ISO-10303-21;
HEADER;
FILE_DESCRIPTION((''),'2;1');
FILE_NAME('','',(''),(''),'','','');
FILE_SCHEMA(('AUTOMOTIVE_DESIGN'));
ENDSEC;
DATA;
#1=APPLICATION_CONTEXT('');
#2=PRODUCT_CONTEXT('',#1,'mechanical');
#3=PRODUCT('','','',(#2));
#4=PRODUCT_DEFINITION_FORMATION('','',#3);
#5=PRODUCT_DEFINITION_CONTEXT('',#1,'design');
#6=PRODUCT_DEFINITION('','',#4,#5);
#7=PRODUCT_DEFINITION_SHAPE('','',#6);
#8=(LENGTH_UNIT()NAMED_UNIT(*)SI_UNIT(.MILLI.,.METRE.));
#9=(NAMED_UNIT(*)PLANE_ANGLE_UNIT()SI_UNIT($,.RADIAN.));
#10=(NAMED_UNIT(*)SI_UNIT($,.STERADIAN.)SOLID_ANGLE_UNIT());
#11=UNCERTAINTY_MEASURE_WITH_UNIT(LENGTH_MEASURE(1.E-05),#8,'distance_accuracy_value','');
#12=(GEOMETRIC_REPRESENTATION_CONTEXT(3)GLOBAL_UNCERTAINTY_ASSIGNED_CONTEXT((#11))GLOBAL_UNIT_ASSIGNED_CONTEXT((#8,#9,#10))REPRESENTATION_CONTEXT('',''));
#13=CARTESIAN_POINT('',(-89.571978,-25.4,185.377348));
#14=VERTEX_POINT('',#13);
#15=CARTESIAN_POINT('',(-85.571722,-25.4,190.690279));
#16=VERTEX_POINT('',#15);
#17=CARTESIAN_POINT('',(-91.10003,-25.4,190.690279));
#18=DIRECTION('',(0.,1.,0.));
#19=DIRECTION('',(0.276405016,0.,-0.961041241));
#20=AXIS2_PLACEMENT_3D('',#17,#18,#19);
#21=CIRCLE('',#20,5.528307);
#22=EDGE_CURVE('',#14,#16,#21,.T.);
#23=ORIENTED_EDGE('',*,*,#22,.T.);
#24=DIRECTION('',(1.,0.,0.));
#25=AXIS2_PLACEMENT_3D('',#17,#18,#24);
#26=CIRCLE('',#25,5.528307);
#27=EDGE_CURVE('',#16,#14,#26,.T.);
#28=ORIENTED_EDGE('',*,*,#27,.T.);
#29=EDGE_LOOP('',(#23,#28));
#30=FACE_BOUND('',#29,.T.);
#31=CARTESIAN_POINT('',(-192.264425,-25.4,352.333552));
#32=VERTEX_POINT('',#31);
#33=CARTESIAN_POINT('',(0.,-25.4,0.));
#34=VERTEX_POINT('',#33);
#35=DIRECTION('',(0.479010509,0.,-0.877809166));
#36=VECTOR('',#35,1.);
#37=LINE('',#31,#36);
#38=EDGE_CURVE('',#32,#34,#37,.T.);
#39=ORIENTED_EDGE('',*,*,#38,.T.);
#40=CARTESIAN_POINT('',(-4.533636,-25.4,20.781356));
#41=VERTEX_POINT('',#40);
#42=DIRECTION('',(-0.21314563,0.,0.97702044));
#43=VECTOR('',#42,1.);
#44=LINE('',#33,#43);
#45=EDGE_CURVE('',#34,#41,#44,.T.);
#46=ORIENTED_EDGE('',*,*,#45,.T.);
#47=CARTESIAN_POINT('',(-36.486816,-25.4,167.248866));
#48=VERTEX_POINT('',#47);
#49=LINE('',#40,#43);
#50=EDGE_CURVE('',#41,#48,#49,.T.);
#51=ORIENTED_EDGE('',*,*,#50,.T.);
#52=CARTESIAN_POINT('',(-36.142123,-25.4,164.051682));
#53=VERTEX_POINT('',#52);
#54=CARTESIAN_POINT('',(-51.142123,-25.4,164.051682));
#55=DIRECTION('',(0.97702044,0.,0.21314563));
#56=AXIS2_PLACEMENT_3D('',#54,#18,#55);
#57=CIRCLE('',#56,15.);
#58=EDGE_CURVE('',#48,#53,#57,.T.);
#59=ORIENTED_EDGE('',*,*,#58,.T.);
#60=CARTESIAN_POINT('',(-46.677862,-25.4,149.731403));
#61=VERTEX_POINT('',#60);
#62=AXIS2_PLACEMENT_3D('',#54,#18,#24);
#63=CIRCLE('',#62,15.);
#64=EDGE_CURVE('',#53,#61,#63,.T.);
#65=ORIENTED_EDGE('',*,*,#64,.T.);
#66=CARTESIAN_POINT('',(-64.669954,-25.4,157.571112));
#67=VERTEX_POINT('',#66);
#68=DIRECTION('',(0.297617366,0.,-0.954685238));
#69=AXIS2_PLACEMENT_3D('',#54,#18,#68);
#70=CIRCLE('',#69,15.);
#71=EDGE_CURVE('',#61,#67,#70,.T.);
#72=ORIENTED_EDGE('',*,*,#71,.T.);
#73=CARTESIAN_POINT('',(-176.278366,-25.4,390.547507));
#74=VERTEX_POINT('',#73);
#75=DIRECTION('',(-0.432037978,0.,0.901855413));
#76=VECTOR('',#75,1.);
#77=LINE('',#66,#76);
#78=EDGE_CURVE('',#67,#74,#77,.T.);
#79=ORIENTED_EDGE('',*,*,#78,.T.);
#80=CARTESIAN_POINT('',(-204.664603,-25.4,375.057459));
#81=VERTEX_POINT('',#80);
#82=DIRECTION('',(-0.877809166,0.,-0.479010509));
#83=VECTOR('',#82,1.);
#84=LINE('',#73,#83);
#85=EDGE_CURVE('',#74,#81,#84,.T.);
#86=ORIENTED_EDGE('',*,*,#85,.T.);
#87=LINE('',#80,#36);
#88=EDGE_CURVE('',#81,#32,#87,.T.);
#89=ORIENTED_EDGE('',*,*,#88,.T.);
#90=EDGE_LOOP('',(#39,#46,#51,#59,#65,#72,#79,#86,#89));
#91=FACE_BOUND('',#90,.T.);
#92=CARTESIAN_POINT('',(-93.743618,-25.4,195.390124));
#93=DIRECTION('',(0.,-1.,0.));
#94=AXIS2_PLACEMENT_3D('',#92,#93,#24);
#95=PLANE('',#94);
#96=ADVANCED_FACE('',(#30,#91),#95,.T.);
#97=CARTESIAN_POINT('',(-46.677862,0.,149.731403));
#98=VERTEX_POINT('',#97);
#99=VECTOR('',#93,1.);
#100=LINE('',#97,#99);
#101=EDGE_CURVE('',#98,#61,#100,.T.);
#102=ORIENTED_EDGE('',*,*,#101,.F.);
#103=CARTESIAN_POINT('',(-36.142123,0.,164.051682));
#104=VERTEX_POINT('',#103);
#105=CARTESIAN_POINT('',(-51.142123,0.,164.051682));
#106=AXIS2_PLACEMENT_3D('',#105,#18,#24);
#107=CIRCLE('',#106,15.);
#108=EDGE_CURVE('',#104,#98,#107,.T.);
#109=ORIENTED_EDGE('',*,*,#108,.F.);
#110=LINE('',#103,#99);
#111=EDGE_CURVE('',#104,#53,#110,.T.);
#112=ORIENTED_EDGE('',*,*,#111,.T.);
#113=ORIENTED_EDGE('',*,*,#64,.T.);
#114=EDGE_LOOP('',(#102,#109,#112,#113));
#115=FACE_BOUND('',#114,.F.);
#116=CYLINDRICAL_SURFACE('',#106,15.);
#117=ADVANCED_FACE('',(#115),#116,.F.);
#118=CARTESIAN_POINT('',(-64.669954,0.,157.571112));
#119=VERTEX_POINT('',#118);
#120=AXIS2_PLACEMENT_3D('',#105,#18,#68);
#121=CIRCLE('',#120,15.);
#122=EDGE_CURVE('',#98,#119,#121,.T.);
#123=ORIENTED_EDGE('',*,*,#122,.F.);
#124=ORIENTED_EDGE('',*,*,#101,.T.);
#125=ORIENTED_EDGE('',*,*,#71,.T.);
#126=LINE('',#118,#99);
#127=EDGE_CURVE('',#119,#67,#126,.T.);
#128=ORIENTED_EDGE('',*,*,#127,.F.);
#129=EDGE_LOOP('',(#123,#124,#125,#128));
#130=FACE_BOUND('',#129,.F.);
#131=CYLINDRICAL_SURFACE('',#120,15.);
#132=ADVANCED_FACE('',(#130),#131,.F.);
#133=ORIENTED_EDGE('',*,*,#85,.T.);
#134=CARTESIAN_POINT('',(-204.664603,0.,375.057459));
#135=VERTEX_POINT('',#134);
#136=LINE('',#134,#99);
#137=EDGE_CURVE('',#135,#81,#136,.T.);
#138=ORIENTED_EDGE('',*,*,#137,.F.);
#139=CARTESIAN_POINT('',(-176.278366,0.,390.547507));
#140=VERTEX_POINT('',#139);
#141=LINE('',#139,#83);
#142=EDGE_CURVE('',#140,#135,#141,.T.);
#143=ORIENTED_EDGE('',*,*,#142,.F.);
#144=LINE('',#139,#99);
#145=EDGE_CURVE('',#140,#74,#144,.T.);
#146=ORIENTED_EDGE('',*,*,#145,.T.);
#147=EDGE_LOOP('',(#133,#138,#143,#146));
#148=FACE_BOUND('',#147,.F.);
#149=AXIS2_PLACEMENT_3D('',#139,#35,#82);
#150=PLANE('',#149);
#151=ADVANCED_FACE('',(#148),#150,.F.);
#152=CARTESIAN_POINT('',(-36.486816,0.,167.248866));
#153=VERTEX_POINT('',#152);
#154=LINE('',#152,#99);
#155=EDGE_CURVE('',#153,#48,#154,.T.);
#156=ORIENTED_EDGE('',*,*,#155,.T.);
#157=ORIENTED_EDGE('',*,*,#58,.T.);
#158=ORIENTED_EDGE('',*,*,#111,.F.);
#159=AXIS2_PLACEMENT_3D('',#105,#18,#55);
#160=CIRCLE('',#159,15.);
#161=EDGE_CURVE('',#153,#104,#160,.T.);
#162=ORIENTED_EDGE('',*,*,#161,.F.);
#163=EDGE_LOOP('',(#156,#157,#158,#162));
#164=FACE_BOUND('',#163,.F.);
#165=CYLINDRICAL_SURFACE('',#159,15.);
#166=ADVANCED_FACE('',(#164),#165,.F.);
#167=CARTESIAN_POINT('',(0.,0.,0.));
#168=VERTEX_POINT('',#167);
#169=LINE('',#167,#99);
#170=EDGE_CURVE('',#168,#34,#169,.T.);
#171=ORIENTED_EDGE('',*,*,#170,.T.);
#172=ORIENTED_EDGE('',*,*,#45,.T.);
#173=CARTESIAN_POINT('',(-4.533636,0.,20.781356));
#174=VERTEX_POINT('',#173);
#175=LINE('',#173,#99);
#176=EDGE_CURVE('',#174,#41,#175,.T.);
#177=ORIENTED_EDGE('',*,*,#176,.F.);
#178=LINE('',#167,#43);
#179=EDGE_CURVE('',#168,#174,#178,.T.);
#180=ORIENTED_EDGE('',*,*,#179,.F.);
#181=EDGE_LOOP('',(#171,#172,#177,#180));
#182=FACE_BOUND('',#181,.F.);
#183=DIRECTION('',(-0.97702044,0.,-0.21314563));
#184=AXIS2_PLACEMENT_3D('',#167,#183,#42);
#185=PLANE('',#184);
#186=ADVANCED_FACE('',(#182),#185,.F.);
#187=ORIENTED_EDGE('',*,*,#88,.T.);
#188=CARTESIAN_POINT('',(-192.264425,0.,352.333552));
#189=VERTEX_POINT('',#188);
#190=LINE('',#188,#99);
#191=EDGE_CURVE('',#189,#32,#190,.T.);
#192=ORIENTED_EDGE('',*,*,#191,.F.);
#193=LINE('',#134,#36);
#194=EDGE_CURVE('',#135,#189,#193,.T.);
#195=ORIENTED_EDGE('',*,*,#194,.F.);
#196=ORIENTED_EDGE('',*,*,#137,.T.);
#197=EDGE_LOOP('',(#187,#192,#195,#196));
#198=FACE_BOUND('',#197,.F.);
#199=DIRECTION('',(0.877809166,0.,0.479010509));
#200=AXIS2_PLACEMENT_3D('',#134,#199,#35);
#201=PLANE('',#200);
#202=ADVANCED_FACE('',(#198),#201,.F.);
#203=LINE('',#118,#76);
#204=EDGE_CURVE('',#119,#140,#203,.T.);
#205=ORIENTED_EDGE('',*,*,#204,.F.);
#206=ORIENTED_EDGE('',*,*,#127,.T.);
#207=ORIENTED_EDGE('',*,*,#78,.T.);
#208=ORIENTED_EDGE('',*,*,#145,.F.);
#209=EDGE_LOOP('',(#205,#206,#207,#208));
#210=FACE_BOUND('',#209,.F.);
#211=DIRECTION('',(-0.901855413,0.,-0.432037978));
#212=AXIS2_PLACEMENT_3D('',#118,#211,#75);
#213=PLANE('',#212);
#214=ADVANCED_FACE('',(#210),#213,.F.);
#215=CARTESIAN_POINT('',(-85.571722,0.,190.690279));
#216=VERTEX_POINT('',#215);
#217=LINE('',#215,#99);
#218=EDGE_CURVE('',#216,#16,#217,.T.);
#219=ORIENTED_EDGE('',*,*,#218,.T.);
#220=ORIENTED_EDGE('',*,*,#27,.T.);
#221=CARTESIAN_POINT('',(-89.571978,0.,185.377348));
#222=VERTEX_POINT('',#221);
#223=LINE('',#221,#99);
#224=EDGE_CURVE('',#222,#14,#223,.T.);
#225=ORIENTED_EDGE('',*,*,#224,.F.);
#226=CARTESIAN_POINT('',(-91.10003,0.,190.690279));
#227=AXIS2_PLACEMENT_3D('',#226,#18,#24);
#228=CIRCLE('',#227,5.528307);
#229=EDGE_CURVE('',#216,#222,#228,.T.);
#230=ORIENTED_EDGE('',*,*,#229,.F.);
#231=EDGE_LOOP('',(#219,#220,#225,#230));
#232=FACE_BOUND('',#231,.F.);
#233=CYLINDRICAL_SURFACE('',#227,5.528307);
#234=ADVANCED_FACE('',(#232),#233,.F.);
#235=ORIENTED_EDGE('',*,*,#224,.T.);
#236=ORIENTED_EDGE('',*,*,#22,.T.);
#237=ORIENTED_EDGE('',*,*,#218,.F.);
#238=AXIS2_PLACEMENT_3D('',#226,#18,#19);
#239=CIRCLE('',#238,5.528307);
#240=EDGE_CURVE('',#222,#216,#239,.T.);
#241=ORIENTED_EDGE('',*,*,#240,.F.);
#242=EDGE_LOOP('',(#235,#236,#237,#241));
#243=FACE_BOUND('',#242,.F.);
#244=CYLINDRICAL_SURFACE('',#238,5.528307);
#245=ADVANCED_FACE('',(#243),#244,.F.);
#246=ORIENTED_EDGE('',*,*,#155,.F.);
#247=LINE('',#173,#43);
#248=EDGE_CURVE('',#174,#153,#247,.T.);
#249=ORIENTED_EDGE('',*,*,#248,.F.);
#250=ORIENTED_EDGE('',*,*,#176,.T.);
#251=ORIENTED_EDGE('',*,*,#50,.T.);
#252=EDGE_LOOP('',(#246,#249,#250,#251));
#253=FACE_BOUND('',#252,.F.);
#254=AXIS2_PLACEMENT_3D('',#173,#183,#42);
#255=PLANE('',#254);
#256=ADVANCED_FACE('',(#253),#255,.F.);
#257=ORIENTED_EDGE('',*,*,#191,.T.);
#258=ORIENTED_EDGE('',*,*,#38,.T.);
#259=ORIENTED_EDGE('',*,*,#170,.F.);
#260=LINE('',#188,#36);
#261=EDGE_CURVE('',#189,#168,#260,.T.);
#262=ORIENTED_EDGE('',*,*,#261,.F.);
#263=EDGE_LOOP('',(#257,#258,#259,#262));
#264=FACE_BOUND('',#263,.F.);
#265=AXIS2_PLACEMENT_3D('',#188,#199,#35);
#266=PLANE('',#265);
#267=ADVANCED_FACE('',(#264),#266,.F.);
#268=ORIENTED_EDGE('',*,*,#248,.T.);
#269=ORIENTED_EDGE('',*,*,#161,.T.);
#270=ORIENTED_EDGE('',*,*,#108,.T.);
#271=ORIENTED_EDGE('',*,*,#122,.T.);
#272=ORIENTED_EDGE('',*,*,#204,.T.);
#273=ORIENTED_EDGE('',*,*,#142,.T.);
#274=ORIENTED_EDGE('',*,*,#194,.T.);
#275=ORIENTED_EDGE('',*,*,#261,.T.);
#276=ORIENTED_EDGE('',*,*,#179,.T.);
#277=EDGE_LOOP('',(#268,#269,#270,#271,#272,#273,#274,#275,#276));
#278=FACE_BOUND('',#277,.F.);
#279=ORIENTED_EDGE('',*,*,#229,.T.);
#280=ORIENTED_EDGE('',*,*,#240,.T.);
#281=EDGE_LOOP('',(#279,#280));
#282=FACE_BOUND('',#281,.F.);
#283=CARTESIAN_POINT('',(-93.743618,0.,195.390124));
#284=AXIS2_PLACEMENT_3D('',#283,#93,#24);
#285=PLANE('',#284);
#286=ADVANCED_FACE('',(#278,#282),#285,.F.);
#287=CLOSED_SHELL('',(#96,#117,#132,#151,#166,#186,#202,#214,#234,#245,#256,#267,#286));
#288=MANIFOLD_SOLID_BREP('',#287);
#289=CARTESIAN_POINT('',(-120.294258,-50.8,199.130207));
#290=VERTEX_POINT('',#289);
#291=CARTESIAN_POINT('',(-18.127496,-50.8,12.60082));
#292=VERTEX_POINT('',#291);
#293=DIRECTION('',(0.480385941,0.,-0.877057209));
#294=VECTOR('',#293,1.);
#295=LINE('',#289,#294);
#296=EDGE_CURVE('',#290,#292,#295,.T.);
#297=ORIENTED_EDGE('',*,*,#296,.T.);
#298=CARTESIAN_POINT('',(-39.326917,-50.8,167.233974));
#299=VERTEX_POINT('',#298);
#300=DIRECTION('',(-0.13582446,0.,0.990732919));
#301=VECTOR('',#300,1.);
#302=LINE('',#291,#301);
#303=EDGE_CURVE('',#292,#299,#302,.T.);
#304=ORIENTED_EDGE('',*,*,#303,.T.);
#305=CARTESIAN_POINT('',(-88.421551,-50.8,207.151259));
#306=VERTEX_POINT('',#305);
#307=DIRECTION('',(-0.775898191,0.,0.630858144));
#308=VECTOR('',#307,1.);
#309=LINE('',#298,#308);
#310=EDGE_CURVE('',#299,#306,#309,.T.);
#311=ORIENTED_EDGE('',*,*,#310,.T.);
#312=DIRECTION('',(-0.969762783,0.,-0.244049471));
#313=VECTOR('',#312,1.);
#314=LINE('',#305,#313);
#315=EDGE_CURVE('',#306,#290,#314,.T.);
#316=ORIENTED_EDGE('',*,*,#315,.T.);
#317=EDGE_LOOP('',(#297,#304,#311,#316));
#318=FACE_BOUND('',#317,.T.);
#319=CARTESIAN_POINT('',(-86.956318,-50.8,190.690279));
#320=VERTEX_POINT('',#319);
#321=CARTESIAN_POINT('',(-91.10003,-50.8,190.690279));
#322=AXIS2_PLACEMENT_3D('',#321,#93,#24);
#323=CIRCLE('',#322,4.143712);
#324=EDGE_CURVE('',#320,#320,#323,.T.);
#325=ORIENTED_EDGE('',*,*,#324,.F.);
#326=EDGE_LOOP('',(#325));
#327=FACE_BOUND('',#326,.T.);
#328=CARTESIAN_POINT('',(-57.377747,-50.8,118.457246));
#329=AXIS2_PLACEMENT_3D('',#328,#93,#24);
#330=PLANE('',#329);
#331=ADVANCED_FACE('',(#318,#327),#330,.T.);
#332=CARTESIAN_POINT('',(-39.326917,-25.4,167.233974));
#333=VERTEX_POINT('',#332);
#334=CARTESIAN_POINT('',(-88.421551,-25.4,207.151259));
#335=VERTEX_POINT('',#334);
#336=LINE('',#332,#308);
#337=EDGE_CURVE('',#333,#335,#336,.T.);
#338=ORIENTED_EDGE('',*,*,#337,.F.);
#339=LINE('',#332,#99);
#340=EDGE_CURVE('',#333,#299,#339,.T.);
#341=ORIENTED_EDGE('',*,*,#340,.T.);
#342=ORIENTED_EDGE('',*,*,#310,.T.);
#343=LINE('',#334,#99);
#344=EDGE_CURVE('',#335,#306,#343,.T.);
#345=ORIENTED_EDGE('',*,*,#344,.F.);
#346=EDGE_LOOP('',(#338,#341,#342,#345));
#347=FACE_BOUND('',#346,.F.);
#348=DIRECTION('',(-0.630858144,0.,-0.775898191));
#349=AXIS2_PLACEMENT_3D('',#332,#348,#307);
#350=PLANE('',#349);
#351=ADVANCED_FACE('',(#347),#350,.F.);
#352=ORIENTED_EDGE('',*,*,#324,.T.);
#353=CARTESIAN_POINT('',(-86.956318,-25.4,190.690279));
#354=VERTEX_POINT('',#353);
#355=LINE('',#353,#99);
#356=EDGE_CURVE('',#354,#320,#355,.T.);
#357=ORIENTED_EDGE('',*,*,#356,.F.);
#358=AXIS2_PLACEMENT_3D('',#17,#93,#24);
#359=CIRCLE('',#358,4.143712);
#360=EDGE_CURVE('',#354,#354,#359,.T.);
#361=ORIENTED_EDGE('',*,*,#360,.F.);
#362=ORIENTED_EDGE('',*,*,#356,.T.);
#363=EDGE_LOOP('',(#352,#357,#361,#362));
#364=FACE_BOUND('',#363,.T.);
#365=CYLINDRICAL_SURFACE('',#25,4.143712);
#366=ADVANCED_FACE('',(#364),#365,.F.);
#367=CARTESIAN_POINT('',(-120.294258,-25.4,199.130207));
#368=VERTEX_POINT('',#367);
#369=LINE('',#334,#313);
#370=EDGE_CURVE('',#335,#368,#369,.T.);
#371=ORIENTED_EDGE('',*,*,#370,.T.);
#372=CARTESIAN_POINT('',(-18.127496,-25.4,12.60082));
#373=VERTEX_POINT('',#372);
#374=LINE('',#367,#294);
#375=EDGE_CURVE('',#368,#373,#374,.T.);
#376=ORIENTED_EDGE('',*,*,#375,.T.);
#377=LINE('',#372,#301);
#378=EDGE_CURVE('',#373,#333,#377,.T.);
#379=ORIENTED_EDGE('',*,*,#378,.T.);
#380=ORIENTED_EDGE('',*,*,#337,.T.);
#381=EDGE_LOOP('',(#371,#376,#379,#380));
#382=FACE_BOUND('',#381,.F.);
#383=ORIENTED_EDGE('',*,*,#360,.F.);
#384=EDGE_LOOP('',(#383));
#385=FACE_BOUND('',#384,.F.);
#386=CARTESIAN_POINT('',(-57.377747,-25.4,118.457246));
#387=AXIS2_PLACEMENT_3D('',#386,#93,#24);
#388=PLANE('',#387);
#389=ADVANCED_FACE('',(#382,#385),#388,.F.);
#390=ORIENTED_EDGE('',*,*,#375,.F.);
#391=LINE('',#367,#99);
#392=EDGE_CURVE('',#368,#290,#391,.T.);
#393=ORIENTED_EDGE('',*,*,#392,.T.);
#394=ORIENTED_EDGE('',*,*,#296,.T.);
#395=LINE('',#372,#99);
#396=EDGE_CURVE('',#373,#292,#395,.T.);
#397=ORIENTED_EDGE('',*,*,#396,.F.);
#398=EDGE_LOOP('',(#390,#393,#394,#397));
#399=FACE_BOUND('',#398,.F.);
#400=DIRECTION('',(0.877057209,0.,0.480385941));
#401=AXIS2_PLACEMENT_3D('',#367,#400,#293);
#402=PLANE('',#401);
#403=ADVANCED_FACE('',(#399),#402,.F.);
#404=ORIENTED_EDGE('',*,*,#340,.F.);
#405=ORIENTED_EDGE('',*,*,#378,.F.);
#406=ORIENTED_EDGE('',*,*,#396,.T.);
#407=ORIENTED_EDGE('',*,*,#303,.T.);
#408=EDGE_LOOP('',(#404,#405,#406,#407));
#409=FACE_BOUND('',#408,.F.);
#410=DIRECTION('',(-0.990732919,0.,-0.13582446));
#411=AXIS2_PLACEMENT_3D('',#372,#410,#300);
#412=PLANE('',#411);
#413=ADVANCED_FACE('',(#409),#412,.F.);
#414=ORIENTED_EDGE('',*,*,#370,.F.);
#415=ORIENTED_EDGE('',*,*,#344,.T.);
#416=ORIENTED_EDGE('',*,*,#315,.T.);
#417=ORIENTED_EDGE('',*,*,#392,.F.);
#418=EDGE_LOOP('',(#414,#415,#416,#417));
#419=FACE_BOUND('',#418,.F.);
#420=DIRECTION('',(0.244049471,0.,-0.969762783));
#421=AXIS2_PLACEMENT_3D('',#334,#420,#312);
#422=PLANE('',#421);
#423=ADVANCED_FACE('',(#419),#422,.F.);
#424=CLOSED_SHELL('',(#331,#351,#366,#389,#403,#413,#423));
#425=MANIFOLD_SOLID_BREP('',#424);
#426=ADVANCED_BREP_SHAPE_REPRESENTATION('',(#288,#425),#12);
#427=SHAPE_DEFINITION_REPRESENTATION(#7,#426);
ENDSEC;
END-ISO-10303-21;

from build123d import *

# Parameters (mm, degrees)
F1_DEPTH = 25.4
F2_R     = 4.1437119387
F3_DEPTH = 25.4


with BuildPart() as f1:
    # F0 (on Front) → F1 (new body)
    with BuildSketch(Plane.XZ):
        with BuildLine():
            ThreePointArc((-9.9044003678, 18.1502769969), (-8.0547579946, 19.032872048), (-6.2147079202, 19.9352947077))
            Line((-6.2147079202, 19.9352947077), (-46.6778621011, 149.7314031902))
            ThreePointArc((-46.6778621011, 149.7314031902), (-57.1339785141, 150.3004031741), (-64.6699537882, 157.5711120868))
            Line((-64.6699537882, 157.5711120868), (-164.7902710869, 366.5667436756))
            ThreePointArc((-164.7902710869, 366.5667436756), (-178.8165155484, 360.0083247343), (-192.2644245511, 352.3335520235))
            Line((-192.2644245511, 352.3335520235), (-76.6598464682, 140.4827547622))
            Line((-76.6598464682, 140.4827547622), (-9.9044003678, 18.1502769969))
        make_face()
        with BuildLine():
            ThreePointArc((-85.5717222096, 190.690279007), (-86.6835987436, 187.3650239492), (-89.5719777393, 185.3773475663))
            ThreePointArc((-89.5719777393, 185.3773475663), (-95.5164605511, 194.0155340647), (-85.5717222096, 190.690279007))
        make_face(mode=Mode.SUBTRACT)
        with BuildLine():
            Line((-46.6778621011, 149.7314031902), (-6.2147079202, 19.9352947077))
            ThreePointArc((-6.2147079202, 19.9352947077), (-5.3731283227, 20.3562515873), (-4.5336362392, 20.7813562276))
            Line((-4.5336362392, 20.7813562276), (-36.486815996, 167.2488662127))
            ThreePointArc((-36.486815996, 167.2488662127), (-36.2285449069, 165.6595376261), (-36.1421225965, 164.051681757))
            ThreePointArc((-36.1421225965, 164.051681757), (-39.0598234065, 155.1624722148), (-46.6778621011, 149.7314031902))
        make_face()
        with BuildLine():
            ThreePointArc((-192.2644245511, 352.3335520235), (-178.8165155484, 360.0083247343), (-164.7902710869, 366.5667436756))
            Line((-164.7902710869, 366.5667436756), (-176.2783657361, 390.547506639))
            Line((-176.2783657361, 390.547506639), (-204.6646028757, 375.0574588776))
            Line((-204.6646028757, 375.0574588776), (-192.2644245511, 352.3335520235))
        make_face()
        with BuildLine():
            Line((-9.9044003678, 18.1502769969), (0, 0))
            Line((0, 0), (-6.2147079202, 19.9352947077))
            ThreePointArc((-6.2147079202, 19.9352947077), (-8.0547579946, 19.032872048), (-9.9044003678, 18.1502769969))
        make_face()
        with BuildLine():
            Line((-6.2147079202, 19.9352947077), (0, 0))
            Line((0, 0), (-4.5336362392, 20.7813562276))
            ThreePointArc((-4.5336362392, 20.7813562276), (-5.3731283227, 20.3562515873), (-6.2147079202, 19.9352947077))
        make_face()
    extrude(amount=F1_DEPTH)


with BuildPart() as f3:
    # F2 (on face) → F3 (new body)
    with BuildSketch(Plane.XZ.offset(25.4)):
        Polygon((-120.2942579985, 199.1302073002), (-18.1274960699, 12.6008201535), (-39.3269173801, 167.2339737415), (-88.4215508565, 207.1512588988), align=None)
        with Locations((-91.1000296474, 190.690279007)):
            Circle(F2_R, mode=Mode.SUBTRACT)
    extrude(amount=F3_DEPTH)


solid = Compound([f1.part, f3.part])
